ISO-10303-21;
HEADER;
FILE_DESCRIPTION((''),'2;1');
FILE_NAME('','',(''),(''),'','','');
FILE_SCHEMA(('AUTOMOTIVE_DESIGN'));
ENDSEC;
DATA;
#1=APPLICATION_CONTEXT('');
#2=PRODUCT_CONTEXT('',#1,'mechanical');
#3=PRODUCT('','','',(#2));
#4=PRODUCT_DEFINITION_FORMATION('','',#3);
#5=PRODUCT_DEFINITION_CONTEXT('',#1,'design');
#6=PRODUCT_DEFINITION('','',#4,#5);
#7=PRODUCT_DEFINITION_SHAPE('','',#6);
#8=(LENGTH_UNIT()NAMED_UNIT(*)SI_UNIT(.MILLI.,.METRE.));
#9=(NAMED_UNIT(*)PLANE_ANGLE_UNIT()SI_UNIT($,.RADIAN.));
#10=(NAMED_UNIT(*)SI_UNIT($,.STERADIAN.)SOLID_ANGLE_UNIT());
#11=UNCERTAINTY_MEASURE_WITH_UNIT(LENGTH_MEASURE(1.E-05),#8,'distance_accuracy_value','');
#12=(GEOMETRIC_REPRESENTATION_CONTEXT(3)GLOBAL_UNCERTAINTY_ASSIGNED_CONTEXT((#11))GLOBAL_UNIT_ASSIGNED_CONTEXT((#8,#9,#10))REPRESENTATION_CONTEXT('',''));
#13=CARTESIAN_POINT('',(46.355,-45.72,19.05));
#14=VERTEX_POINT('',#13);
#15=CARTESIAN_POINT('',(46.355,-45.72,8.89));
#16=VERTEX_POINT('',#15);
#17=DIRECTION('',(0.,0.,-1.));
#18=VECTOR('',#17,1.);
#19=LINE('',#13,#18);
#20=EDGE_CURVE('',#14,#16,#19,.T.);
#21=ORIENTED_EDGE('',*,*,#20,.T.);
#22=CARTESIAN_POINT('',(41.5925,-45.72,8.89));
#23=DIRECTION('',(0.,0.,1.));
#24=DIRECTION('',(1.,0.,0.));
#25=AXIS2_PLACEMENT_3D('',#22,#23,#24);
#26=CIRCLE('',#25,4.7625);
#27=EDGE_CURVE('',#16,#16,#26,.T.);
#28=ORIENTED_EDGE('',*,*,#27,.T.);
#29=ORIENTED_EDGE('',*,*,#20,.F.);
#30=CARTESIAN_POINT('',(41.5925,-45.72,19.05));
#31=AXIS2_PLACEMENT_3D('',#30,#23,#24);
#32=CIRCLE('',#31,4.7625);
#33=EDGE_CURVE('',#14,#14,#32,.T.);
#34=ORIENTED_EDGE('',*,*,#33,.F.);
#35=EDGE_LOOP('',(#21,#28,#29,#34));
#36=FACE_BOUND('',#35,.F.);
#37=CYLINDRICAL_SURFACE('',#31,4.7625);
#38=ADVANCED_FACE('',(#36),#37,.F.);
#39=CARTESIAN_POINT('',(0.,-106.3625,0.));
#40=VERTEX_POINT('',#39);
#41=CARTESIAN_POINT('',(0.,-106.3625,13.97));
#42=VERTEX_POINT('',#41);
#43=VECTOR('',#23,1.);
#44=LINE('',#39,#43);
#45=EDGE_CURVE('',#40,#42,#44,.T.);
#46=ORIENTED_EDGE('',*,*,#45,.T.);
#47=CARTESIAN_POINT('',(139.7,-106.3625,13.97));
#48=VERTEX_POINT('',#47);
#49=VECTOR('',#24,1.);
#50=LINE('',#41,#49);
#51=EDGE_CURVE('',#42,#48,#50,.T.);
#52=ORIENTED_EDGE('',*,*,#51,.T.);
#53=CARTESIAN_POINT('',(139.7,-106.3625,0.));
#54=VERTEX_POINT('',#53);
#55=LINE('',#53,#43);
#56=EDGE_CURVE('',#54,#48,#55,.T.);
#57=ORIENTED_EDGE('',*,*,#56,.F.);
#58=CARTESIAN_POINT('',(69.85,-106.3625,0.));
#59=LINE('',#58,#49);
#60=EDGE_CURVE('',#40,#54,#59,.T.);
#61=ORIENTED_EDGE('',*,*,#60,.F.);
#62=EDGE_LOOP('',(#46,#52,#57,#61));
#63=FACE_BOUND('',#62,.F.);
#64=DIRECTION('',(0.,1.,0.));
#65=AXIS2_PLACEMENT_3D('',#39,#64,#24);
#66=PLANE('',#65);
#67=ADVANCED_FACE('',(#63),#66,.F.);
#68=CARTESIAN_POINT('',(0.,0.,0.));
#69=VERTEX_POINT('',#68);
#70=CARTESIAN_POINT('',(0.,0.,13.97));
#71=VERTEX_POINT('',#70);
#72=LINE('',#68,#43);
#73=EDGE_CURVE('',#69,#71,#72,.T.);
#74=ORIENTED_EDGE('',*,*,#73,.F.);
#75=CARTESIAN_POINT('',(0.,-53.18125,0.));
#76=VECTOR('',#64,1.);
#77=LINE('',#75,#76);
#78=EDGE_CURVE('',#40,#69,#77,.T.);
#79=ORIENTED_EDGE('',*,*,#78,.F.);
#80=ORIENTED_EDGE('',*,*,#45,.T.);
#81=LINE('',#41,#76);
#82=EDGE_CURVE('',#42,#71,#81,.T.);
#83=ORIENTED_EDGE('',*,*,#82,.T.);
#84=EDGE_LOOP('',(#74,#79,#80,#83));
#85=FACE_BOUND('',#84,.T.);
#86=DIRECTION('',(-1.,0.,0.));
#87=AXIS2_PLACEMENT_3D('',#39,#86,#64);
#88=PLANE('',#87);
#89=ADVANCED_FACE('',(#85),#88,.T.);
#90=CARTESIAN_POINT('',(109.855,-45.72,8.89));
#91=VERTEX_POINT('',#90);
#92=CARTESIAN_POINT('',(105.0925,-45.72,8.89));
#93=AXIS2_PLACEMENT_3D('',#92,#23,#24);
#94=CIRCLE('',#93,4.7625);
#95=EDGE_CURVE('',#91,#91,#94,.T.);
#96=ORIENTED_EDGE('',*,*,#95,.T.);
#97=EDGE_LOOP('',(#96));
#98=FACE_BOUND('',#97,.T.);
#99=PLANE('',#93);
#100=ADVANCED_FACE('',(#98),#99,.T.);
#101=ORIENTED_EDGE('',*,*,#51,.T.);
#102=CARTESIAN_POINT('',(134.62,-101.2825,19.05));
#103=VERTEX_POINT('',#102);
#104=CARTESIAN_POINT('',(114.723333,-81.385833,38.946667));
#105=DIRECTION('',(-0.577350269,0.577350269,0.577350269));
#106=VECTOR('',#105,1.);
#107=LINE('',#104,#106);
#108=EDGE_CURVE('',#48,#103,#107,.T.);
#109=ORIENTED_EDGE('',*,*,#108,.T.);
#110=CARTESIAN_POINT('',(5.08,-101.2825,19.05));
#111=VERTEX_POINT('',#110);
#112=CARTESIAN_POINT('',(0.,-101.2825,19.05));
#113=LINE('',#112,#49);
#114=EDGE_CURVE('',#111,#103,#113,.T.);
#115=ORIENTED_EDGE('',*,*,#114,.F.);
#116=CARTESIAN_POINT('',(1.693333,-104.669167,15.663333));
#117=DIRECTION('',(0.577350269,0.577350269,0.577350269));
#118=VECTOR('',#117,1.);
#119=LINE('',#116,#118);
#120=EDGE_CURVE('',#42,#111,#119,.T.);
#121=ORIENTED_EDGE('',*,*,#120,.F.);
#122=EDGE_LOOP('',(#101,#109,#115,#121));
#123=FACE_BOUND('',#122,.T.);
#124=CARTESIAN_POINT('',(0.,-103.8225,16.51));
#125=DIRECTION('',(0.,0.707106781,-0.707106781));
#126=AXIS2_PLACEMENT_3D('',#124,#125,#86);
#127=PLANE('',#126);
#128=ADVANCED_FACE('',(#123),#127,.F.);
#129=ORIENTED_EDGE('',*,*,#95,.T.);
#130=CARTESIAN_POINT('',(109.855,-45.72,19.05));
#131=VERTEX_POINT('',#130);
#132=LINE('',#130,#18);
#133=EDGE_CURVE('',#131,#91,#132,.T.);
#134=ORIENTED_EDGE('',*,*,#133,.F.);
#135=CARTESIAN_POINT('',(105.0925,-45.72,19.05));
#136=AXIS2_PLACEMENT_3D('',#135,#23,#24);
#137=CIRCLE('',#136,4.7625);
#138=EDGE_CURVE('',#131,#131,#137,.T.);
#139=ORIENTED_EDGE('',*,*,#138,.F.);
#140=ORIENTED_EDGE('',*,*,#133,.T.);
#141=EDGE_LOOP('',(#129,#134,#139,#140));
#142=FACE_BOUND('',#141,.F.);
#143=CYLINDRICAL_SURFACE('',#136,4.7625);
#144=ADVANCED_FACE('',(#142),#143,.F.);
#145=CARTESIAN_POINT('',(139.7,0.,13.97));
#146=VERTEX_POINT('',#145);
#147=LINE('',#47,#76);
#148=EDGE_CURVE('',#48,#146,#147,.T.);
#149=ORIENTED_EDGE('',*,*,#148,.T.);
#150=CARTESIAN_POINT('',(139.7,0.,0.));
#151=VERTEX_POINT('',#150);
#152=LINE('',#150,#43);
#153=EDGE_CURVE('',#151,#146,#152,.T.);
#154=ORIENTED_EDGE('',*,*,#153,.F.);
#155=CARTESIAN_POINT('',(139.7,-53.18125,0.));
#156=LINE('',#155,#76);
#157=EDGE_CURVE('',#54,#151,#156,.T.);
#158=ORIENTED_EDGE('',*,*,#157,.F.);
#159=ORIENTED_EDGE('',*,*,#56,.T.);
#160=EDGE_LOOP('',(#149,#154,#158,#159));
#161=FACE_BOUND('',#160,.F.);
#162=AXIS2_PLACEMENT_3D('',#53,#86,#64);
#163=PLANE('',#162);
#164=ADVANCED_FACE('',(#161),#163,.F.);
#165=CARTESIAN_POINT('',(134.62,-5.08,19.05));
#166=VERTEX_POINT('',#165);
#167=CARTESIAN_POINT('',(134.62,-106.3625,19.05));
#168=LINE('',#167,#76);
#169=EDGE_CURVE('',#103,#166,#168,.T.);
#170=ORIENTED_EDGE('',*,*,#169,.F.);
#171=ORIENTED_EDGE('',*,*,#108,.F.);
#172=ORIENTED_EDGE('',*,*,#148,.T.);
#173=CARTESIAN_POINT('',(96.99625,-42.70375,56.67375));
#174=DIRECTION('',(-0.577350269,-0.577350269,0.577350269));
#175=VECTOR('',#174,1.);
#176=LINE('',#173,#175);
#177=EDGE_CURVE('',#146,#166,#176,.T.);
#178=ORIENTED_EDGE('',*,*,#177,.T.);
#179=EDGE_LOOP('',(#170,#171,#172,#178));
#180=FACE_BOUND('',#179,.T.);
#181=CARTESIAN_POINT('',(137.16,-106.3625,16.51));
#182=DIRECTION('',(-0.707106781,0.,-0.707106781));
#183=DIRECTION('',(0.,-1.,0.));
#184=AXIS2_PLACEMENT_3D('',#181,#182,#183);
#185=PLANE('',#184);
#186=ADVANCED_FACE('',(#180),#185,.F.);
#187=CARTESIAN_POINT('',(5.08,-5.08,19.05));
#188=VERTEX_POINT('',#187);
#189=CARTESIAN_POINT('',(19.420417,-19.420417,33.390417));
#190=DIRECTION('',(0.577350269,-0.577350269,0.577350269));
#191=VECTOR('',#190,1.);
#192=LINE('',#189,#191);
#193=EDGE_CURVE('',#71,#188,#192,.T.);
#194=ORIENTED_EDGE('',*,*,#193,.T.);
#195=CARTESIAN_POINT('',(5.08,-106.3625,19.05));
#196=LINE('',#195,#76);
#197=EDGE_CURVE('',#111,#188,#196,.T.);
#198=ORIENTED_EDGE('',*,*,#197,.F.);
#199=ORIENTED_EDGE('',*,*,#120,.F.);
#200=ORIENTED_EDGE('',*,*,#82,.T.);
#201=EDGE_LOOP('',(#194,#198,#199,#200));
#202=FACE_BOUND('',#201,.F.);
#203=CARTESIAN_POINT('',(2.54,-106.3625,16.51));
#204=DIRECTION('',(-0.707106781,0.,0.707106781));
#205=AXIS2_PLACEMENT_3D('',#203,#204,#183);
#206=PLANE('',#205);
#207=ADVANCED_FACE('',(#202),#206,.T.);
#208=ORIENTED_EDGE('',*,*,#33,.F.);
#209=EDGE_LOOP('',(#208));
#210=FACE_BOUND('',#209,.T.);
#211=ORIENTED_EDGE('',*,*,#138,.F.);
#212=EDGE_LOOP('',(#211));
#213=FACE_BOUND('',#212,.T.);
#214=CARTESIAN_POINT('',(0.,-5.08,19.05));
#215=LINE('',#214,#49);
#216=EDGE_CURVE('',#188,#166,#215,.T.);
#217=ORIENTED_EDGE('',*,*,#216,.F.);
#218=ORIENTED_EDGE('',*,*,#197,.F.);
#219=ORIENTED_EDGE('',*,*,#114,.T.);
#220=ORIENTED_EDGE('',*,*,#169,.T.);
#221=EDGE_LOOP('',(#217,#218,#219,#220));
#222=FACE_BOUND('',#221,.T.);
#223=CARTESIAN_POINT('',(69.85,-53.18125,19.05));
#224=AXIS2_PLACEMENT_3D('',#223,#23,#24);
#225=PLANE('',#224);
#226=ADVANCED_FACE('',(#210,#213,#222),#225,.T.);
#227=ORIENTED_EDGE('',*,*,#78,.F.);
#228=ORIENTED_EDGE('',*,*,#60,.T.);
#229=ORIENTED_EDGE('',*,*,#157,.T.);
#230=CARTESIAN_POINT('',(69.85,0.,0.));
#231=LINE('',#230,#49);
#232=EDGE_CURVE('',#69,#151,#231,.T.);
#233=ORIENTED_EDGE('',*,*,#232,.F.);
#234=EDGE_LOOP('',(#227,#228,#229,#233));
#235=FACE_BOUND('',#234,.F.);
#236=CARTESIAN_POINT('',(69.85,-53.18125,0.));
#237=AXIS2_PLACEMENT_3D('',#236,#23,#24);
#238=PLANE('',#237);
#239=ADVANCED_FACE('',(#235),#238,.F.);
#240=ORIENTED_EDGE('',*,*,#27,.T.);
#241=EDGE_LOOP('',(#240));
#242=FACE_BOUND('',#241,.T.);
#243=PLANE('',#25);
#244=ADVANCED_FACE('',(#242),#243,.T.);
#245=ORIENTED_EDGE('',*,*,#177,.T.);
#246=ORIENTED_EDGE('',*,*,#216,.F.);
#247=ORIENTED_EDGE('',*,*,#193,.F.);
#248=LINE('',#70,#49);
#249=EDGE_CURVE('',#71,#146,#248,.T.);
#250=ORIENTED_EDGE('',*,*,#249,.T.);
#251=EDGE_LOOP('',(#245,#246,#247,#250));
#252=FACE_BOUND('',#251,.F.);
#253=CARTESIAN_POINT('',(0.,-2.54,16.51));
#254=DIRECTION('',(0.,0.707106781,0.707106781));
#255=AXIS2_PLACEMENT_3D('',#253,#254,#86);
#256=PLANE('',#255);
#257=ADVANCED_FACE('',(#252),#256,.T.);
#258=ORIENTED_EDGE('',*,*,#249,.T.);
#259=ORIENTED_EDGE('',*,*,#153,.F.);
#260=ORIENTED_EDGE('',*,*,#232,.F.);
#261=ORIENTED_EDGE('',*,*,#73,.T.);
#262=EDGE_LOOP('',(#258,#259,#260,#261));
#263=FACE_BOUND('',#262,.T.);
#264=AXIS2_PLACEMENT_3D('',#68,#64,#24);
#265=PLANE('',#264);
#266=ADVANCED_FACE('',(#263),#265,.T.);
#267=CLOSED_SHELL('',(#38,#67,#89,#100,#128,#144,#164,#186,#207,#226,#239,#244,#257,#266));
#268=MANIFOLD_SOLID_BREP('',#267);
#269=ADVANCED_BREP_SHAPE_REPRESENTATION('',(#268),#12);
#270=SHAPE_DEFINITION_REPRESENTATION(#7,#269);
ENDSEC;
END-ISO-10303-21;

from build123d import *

# Parameters (mm, degrees)
F0_W     = 139.7
F0_H     = 106.3625
F1_DEPTH = 19.05
F2_SIZE  = 5.08
F3_R     = 4.7625
F4_DEPTH = 10.16


with BuildPart() as f1:
    # F0 (on Top) → F1 (new body)
    with BuildSketch(Plane.XY):
        with Locations((69.85, -53.18125)):
            Rectangle(F0_W, F0_H)
    extrude(amount=F1_DEPTH)

    # F2
    f2_edges = [f1.edges().sort_by_distance(p)[0] for p in [
        (69.85, 0, 19.05),
        (0, -53.18125, 19.05),
        (69.85, -106.3625, 19.05),
        (139.7, -53.18125, 19.05),
    ]]
    chamfer(f2_edges, length=F2_SIZE)

    # F3 (on face) → F4 (cut)
    with BuildSketch(Plane.XY.offset(19.05)):
        with Locations((41.5925, -45.72)):
            Circle(F3_R)
        with Locations((105.0925, -45.72)):
            Circle(F3_R)
    extrude(amount=-F4_DEPTH, mode=Mode.SUBTRACT)


solid = f1.part
